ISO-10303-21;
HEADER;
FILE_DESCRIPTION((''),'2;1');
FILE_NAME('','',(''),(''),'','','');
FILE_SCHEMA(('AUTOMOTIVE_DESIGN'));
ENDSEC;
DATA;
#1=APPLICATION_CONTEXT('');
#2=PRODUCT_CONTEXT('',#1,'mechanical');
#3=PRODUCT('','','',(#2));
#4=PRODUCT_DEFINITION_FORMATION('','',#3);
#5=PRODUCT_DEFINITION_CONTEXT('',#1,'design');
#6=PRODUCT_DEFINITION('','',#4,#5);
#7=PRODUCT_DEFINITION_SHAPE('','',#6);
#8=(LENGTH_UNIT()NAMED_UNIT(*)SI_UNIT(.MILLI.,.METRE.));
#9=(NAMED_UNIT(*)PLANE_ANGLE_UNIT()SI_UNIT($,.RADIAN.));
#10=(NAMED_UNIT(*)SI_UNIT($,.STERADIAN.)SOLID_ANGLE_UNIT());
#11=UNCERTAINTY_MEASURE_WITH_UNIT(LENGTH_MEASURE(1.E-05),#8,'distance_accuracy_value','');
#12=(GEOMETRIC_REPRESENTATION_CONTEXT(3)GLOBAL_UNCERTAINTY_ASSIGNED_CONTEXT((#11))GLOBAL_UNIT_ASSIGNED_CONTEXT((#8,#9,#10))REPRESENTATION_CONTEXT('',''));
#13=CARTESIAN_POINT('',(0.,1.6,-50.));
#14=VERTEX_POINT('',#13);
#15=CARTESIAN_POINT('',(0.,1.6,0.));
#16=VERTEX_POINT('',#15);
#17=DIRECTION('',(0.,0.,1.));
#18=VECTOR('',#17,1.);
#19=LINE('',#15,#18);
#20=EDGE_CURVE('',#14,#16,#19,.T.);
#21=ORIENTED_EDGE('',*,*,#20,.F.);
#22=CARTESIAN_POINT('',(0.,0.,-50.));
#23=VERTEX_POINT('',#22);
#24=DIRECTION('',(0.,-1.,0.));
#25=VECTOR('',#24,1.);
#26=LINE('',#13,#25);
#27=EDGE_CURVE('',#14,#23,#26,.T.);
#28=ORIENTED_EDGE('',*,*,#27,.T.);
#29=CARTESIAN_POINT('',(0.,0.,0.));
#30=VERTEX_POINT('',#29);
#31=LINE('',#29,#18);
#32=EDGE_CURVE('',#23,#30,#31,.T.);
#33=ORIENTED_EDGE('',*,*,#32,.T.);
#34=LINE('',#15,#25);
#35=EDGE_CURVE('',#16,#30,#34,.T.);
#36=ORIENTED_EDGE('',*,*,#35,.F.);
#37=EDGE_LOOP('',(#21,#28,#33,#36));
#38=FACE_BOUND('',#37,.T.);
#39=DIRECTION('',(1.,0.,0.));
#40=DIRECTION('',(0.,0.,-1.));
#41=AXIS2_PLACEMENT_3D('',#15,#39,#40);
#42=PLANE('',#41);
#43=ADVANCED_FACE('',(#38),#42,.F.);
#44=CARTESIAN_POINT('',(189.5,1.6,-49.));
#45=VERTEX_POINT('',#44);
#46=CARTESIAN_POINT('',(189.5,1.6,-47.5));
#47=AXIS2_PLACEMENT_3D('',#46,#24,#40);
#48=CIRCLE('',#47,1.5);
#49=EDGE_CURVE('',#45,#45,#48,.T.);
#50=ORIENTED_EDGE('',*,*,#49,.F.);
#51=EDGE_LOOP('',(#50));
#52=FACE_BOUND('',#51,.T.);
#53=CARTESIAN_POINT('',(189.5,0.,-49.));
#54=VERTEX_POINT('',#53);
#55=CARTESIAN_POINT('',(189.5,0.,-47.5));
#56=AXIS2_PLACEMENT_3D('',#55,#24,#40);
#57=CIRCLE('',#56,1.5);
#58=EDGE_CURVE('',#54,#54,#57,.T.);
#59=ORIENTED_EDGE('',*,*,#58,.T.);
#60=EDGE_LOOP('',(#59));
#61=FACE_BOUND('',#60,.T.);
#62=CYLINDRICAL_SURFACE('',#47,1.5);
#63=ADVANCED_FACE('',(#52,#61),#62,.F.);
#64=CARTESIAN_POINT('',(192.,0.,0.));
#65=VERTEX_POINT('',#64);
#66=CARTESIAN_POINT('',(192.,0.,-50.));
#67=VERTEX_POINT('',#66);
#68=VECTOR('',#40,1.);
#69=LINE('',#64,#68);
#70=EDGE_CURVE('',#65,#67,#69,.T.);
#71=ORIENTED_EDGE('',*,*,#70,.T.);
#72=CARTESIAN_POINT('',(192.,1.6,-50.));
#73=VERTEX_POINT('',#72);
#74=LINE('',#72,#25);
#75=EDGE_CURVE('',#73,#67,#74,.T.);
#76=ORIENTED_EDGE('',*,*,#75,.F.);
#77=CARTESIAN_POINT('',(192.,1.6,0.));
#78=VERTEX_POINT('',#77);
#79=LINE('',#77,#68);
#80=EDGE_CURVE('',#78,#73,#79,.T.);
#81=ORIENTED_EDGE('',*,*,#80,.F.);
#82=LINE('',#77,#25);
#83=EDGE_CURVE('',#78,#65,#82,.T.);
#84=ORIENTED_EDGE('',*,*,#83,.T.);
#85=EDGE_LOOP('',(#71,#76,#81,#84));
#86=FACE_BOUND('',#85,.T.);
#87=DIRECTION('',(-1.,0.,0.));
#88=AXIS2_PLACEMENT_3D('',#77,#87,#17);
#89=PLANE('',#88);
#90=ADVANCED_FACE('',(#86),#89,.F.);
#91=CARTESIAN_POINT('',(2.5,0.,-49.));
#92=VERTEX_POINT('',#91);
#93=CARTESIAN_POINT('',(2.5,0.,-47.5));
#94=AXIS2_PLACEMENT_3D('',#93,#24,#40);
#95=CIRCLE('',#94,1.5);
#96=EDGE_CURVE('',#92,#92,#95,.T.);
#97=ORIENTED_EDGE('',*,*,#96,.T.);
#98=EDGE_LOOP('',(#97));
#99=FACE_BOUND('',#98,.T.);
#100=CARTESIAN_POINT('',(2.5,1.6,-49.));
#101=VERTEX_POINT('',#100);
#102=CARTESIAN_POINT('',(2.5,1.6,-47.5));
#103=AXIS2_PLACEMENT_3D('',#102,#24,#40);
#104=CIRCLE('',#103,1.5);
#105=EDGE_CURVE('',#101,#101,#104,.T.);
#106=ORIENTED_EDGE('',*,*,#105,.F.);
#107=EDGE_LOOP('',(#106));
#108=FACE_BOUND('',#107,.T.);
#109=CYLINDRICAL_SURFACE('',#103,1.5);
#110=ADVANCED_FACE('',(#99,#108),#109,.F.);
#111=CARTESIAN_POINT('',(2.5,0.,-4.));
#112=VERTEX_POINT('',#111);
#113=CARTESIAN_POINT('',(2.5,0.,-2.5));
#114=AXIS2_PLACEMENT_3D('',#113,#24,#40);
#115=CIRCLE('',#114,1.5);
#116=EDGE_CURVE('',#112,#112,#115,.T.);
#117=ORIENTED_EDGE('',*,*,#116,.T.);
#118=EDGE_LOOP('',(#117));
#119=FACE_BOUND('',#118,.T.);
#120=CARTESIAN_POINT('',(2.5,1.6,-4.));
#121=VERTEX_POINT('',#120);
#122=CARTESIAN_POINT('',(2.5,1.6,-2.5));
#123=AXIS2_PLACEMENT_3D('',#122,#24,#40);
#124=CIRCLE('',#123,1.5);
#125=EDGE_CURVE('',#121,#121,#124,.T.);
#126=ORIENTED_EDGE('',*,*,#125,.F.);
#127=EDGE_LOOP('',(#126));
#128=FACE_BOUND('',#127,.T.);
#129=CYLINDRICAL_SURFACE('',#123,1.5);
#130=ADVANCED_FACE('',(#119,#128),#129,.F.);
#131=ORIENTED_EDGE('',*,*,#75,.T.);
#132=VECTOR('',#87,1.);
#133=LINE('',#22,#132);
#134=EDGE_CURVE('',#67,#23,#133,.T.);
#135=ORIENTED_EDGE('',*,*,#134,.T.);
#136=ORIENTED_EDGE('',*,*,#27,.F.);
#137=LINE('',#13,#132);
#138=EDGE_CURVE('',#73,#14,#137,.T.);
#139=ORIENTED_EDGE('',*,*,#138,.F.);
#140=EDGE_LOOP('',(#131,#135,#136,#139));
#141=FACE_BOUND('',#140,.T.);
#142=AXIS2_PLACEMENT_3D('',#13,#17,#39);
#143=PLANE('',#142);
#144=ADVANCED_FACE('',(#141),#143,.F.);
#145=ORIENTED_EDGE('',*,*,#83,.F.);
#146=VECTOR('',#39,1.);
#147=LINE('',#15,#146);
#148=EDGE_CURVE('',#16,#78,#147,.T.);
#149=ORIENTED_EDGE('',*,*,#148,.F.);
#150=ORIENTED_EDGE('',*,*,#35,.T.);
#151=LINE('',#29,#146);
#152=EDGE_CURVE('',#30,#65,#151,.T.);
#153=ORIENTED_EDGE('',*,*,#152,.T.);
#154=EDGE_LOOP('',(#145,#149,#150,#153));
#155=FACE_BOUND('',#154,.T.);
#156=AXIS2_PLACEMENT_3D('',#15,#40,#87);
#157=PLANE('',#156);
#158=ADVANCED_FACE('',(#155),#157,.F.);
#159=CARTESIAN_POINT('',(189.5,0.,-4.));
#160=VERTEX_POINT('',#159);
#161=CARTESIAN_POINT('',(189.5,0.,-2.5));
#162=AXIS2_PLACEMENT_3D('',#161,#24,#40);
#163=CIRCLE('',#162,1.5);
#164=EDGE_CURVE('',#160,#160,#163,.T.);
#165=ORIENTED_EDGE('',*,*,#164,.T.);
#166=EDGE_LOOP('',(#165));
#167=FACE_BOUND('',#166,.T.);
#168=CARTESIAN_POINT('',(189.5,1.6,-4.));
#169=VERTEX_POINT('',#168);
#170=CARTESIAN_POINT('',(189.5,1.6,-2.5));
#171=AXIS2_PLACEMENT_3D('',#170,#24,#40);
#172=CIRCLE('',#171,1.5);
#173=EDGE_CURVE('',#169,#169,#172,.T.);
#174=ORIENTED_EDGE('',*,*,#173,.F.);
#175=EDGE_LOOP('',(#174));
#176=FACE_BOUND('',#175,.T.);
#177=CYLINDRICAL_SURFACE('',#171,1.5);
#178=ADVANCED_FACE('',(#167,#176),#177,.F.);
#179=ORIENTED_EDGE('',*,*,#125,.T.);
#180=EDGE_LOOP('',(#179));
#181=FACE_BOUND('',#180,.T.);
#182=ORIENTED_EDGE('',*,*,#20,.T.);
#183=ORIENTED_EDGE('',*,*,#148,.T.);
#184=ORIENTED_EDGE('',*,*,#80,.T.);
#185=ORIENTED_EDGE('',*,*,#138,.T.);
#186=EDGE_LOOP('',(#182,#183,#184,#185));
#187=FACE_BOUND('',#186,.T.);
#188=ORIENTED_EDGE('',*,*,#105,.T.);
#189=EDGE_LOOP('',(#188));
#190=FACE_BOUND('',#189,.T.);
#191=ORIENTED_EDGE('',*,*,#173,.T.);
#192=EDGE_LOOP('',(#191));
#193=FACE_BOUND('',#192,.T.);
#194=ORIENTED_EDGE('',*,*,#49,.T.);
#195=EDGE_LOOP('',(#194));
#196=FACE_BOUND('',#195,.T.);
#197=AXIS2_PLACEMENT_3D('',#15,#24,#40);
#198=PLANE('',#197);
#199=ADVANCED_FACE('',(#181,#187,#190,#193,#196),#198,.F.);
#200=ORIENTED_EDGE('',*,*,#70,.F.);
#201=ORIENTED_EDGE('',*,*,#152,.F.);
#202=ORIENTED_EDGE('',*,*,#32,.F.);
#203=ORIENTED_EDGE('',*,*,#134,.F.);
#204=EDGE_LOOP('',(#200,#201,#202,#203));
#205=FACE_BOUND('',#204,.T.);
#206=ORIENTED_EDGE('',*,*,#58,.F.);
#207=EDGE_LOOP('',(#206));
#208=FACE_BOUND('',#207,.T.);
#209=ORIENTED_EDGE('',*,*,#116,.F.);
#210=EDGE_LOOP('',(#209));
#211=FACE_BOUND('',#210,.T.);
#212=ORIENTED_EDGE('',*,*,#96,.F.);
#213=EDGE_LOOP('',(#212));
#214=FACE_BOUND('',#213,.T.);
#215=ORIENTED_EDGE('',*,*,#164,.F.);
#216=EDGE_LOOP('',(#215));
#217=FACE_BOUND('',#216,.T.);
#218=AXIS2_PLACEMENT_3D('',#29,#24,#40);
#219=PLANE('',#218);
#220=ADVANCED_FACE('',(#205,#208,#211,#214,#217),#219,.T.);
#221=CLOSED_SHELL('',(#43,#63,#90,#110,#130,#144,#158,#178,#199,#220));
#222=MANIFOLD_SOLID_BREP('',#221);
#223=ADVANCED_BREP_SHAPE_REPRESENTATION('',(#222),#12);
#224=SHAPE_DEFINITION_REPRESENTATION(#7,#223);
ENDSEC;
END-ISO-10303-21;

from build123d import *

# Parameters (mm, degrees)
SKETCH1_W           = 192
SKETCH1_H           = 50
BOSS_EXTRUDE1_DEPTH = 1.6
SKETCH2_R           = 1.5
CUT_EXTRUDE1_DEPTH  = 1.6


with BuildPart() as part:
    # Sketch1 → Boss-Extrude1 (new body)
    with BuildSketch(Plane(origin=(0, 0, 0), x_dir=(1, 0, 0), z_dir=(0, 1, 0))):
        with Locations((96, 25)):
            Rectangle(SKETCH1_W, SKETCH1_H)
    extrude(amount=BOSS_EXTRUDE1_DEPTH)

    # Sketch2 → Cut-Extrude1 (cut)
    with BuildSketch(Plane.XZ):
        with Locations(Location((2.5, -2.5, 0), (0, 0, 270))):
            Circle(SKETCH2_R)
        with Locations(Location((189.5, -2.5, 0), (0, 0, 270))):
            Circle(SKETCH2_R)
        with Locations(Location((189.5, -47.5, 0), (0, 0, 270))):
            Circle(SKETCH2_R)
        with Locations(Location((2.5, -47.5, 0), (0, 0, 270))):
            Circle(SKETCH2_R)
    extrude(amount=-CUT_EXTRUDE1_DEPTH, mode=Mode.SUBTRACT)


solid = part.part
